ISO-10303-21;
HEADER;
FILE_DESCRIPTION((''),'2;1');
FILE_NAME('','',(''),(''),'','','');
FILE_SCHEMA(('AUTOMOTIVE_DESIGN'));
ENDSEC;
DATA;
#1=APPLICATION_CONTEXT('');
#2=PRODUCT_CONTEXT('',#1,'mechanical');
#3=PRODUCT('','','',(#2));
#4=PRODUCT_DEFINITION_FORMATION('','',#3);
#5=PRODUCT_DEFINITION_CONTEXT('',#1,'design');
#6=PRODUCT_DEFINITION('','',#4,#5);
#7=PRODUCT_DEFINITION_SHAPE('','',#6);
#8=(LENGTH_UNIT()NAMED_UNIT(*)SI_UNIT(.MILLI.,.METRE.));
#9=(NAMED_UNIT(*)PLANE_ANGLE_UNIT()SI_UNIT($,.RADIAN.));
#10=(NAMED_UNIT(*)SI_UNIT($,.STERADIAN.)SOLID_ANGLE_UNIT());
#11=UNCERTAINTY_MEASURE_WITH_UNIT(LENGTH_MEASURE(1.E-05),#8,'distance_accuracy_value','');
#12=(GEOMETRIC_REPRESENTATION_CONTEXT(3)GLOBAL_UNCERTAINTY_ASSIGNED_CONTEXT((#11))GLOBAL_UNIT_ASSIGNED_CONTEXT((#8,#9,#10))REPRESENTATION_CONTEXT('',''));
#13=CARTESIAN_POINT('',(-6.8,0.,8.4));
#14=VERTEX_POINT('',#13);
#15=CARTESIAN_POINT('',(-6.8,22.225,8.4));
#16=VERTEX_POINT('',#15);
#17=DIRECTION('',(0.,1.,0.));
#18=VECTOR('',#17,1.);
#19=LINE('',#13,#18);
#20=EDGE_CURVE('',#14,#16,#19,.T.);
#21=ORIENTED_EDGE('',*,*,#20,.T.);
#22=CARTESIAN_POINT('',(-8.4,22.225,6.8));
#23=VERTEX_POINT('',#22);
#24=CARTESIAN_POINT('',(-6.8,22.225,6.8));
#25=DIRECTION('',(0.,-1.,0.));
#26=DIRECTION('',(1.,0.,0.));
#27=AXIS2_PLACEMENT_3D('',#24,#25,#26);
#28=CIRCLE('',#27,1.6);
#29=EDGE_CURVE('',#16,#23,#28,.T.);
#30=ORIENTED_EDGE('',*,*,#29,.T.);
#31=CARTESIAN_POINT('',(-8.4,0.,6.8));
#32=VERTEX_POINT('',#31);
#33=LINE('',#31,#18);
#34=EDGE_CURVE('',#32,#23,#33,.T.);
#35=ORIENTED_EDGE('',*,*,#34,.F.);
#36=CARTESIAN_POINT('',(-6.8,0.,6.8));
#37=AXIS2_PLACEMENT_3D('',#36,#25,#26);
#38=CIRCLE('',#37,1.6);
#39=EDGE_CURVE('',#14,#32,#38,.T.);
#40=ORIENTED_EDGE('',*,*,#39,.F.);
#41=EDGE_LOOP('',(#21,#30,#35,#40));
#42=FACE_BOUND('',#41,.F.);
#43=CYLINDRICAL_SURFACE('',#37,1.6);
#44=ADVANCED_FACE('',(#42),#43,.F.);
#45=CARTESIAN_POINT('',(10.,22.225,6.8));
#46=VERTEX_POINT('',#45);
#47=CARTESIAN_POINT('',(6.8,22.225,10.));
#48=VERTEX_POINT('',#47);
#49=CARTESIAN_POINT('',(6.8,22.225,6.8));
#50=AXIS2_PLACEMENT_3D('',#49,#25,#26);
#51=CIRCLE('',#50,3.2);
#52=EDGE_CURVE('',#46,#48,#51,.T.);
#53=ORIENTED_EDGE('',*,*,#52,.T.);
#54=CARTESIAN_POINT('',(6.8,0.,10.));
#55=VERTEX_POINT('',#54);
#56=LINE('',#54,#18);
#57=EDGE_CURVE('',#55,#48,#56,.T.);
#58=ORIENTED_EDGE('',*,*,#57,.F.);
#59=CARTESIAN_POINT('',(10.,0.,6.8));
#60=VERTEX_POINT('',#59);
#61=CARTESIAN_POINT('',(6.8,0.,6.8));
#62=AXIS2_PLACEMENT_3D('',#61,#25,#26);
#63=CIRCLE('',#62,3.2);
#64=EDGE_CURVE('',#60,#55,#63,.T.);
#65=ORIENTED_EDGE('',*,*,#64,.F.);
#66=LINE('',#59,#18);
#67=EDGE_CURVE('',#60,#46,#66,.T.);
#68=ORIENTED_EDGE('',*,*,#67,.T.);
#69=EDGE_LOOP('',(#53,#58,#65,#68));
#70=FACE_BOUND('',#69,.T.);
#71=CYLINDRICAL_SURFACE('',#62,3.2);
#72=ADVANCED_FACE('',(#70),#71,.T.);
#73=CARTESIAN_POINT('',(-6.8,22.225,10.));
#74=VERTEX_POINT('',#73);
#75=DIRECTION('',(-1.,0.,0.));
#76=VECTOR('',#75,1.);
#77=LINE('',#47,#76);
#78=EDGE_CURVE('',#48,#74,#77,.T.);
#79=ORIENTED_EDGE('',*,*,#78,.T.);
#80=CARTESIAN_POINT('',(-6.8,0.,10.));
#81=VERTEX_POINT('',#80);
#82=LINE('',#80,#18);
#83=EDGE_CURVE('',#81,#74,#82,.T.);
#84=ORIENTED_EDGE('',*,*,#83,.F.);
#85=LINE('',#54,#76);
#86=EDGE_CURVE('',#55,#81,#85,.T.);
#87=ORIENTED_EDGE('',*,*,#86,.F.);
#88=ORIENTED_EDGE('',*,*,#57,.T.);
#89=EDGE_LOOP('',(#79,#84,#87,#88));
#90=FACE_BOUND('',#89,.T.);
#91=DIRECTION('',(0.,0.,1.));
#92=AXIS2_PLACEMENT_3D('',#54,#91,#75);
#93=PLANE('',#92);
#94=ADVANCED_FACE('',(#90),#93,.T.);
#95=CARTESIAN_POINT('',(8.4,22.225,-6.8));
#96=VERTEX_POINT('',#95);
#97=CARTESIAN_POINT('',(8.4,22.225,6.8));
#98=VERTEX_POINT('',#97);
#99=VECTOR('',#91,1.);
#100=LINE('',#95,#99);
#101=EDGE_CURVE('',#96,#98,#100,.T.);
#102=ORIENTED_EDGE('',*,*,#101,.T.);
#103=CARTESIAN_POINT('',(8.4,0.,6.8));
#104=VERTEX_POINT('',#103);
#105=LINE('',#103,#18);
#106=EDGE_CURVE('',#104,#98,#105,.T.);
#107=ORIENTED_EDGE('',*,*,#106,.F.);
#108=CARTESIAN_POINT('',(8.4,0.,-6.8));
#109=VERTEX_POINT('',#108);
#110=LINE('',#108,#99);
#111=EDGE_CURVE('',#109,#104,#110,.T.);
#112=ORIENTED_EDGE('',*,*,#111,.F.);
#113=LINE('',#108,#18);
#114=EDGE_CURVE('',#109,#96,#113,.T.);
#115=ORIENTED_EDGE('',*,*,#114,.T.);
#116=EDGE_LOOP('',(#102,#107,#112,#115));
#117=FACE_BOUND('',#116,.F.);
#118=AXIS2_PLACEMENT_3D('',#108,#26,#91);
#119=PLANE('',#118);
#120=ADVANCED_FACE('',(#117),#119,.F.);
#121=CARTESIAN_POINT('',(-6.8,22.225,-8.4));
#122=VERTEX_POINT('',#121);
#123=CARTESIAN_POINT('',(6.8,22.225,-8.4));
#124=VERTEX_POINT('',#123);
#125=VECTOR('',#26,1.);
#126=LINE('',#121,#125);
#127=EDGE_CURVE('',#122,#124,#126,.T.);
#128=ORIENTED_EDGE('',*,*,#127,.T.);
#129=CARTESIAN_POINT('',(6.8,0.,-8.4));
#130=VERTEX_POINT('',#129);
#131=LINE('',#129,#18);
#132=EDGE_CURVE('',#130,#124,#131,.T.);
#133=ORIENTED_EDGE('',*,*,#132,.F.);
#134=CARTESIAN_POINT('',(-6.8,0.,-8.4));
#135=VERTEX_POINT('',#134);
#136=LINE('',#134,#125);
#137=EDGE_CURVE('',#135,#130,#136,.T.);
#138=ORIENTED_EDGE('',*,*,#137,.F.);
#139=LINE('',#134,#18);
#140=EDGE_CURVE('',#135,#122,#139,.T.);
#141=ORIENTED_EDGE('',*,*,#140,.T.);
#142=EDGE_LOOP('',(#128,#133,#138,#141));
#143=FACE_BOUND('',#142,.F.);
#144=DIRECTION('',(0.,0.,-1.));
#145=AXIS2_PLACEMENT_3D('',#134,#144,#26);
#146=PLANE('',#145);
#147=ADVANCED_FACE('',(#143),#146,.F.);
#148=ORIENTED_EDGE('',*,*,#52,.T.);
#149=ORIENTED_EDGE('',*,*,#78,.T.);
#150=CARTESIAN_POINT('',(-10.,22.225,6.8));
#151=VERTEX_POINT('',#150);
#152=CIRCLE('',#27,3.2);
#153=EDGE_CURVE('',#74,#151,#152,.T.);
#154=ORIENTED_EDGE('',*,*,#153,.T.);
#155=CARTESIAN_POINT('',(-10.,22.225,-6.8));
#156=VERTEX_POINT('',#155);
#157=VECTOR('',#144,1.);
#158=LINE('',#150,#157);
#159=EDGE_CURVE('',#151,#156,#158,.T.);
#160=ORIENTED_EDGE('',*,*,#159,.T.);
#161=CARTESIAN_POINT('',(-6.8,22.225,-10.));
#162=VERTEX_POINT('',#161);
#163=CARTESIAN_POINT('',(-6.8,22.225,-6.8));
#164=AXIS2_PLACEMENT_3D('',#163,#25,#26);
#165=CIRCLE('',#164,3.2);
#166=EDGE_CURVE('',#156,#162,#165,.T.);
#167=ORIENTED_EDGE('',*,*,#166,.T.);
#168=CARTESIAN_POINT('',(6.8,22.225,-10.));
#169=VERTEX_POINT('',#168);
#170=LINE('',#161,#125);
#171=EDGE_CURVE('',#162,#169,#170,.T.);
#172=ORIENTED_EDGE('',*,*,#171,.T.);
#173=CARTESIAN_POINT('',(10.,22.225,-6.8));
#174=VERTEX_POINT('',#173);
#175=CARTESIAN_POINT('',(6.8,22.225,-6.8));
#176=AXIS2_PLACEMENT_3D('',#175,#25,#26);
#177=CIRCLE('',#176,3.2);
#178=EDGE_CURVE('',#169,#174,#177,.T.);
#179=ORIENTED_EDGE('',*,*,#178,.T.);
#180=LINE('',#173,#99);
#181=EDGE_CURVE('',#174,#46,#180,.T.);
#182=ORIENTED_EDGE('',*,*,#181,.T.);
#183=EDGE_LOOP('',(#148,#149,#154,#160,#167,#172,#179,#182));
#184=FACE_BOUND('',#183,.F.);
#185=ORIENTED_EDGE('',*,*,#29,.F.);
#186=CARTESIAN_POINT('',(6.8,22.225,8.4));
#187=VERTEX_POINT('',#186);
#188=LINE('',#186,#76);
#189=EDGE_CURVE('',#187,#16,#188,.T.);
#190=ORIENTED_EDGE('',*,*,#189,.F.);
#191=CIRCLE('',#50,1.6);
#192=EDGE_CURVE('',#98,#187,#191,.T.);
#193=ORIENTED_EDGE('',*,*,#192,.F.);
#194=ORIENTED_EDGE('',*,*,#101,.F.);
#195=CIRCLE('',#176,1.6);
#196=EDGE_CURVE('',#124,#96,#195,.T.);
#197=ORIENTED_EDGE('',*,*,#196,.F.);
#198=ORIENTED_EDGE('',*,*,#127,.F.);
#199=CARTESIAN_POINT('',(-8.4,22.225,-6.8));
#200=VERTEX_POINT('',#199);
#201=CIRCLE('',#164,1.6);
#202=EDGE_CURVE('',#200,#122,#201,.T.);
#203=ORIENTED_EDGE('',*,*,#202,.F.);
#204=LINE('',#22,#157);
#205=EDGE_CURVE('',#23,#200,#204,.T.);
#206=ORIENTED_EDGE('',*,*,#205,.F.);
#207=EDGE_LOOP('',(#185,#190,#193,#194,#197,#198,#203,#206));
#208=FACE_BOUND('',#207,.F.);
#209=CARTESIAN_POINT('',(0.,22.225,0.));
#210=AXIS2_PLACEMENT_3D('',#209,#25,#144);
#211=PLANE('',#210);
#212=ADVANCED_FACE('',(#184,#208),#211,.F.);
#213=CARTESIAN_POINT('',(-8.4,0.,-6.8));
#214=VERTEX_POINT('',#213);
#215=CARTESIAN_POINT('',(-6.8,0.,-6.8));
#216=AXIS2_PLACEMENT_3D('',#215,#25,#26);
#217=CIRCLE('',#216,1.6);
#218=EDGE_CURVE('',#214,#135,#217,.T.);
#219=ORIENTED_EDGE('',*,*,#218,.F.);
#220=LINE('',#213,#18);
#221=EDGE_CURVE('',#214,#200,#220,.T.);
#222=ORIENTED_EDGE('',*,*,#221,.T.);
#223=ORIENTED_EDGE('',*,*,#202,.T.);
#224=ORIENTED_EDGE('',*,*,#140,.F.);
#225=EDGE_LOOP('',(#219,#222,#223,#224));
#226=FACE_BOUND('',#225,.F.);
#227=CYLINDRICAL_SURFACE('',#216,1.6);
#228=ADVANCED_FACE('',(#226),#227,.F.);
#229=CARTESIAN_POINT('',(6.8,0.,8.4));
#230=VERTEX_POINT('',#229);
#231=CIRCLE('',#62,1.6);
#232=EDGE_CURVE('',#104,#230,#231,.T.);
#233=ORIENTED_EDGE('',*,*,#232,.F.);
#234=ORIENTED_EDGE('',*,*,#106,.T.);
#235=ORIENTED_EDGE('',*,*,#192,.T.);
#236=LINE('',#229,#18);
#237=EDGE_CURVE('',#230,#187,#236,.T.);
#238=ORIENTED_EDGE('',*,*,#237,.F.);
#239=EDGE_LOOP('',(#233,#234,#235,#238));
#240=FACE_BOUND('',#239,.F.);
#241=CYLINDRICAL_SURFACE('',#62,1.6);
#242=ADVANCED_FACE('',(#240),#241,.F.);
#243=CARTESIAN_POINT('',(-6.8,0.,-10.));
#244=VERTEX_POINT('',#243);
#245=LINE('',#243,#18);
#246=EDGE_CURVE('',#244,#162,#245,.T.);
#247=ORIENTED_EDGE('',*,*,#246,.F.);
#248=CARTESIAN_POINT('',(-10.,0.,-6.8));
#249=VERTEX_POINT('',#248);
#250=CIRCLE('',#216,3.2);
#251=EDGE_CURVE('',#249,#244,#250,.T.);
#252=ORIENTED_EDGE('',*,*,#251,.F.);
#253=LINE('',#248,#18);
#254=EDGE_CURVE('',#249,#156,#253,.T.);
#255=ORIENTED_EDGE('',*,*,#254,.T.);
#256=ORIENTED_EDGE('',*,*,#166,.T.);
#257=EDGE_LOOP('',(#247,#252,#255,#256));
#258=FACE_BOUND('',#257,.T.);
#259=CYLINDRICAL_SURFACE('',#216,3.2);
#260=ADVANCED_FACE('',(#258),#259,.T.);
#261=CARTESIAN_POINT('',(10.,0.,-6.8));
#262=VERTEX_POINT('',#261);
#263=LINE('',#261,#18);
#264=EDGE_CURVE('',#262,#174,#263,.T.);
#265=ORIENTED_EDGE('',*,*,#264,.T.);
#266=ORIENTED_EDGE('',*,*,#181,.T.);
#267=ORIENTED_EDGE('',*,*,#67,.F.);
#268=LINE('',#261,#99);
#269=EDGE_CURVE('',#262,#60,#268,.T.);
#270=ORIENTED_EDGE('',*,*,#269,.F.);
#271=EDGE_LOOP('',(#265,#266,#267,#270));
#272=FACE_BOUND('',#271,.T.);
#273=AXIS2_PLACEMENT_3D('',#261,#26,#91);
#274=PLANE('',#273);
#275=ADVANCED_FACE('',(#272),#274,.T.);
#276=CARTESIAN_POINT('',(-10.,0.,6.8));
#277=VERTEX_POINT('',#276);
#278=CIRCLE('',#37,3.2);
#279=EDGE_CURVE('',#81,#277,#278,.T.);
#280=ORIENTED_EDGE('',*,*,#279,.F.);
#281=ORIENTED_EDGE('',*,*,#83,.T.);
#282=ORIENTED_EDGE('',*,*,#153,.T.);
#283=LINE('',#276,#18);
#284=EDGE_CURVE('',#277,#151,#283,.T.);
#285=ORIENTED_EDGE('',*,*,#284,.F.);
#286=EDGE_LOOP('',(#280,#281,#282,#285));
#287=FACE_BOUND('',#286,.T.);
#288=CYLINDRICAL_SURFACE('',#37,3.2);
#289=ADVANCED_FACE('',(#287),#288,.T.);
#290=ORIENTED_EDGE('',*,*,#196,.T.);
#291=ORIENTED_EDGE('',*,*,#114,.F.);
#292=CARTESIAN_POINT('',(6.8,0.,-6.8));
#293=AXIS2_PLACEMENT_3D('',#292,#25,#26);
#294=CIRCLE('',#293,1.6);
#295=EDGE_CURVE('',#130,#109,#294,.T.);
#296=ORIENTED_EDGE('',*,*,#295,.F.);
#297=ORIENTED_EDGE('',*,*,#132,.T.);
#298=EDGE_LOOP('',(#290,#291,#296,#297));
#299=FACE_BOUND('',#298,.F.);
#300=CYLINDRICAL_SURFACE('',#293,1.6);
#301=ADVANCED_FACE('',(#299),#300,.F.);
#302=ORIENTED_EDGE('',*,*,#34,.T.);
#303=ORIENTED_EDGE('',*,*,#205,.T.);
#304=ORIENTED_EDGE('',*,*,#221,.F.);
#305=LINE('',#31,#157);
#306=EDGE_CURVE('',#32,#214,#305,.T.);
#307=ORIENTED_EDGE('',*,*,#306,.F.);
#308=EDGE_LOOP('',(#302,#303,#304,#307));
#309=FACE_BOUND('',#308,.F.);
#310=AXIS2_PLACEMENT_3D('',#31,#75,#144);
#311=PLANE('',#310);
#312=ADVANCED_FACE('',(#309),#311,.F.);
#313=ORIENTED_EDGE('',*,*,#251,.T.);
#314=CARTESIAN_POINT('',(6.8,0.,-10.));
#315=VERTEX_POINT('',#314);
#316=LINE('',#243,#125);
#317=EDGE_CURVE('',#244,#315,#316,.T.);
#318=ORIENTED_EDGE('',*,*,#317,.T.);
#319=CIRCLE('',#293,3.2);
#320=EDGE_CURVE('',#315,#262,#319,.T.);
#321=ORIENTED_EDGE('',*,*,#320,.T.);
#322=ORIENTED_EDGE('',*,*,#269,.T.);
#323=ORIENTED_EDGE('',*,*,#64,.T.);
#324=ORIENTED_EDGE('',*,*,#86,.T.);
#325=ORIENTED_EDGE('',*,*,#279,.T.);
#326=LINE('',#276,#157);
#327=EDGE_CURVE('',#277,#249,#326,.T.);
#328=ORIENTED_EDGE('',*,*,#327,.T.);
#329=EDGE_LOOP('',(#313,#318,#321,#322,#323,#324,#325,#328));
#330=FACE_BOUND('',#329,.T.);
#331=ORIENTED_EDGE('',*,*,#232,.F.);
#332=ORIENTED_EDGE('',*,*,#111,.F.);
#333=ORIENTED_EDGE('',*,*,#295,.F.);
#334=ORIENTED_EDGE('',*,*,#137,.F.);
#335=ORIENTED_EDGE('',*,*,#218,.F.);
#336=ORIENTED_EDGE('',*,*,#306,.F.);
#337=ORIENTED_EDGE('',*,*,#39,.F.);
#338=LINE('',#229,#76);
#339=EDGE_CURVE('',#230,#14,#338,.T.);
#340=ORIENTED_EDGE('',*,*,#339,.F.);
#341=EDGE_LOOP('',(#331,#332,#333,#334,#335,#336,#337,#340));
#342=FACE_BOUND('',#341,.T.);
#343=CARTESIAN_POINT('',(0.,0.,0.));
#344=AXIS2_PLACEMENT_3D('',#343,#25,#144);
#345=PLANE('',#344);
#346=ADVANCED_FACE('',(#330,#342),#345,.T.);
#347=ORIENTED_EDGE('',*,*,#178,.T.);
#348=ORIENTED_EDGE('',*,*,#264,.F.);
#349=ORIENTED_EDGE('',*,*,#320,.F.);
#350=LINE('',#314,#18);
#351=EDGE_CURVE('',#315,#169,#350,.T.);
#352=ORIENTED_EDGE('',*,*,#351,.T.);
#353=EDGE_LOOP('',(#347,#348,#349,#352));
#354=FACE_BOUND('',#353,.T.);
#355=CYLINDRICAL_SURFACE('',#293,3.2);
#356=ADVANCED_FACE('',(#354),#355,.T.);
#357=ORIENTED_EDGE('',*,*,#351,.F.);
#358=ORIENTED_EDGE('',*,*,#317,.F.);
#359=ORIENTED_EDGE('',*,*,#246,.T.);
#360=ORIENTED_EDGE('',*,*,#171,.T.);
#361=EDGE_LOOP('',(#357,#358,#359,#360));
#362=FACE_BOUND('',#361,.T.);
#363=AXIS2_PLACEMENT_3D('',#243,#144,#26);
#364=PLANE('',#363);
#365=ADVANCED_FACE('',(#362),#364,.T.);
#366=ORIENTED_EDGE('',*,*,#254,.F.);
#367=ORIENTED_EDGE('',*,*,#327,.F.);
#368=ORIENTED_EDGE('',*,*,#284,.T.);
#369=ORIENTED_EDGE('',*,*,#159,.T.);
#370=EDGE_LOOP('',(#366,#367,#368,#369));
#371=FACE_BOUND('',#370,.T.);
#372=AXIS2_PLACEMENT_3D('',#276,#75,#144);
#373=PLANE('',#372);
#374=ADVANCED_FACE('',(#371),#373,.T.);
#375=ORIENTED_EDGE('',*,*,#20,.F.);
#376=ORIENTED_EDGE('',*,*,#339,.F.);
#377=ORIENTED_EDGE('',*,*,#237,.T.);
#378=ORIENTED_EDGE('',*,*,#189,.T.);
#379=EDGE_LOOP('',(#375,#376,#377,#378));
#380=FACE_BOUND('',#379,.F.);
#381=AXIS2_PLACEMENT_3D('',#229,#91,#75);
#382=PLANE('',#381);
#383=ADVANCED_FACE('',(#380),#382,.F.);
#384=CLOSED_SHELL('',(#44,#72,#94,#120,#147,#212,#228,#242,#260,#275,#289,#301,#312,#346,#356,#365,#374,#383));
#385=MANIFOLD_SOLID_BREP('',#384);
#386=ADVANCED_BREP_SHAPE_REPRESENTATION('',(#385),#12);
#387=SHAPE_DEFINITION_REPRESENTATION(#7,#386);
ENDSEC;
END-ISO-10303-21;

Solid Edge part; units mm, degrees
sketch "Sketch1" plane through (0, 0, 0) normal (0, -1, 0) x (1, 0, 0)
  line L0 (6.8, 8.4) -> (-6.8, 8.4)
  arc A0 (-6.8, 8.4) -> (-8.4, 6.8) centre (-6.8, 6.8) ccw
  line L1 (-8.4, 6.8) -> (-8.4, -6.8)
  arc A1 (-8.4, -6.8) -> (-6.8, -8.4) centre (-6.8, -6.8) ccw
  line L2 (-6.8, -8.4) -> (6.8, -8.4)
  arc A2 (6.8, -8.4) -> (8.4, -6.8) centre (6.8, -6.8) ccw
  line L3 (8.4, -6.8) -> (8.4, 6.8)
  arc A3 (8.4, 6.8) -> (6.8, 8.4) centre (6.8, 6.8) ccw
  arc A4 (-6.8, 10) -> (-10, 6.8) centre (-6.8, 6.8) ccw
  line L4 (-10, 6.8) -> (-10, -6.8)
  arc A5 (-10, -6.8) -> (-6.8, -10) centre (-6.8, -6.8) ccw
  line L5 (-6.8, -10) -> (6.8, -10)
  arc A6 (6.8, -10) -> (10, -6.8) centre (6.8, -6.8) ccw
  line L6 (10, -6.8) -> (10, 6.8)
  arc A7 (10, 6.8) -> (6.8, 10) centre (6.8, 6.8) ccw
  line L7 (6.8, 10) -> (-6.8, 10)
  dimension "D1" = 10
extrude "Protrusion1" add sketch "Sketch1" against normal blind 22.225
